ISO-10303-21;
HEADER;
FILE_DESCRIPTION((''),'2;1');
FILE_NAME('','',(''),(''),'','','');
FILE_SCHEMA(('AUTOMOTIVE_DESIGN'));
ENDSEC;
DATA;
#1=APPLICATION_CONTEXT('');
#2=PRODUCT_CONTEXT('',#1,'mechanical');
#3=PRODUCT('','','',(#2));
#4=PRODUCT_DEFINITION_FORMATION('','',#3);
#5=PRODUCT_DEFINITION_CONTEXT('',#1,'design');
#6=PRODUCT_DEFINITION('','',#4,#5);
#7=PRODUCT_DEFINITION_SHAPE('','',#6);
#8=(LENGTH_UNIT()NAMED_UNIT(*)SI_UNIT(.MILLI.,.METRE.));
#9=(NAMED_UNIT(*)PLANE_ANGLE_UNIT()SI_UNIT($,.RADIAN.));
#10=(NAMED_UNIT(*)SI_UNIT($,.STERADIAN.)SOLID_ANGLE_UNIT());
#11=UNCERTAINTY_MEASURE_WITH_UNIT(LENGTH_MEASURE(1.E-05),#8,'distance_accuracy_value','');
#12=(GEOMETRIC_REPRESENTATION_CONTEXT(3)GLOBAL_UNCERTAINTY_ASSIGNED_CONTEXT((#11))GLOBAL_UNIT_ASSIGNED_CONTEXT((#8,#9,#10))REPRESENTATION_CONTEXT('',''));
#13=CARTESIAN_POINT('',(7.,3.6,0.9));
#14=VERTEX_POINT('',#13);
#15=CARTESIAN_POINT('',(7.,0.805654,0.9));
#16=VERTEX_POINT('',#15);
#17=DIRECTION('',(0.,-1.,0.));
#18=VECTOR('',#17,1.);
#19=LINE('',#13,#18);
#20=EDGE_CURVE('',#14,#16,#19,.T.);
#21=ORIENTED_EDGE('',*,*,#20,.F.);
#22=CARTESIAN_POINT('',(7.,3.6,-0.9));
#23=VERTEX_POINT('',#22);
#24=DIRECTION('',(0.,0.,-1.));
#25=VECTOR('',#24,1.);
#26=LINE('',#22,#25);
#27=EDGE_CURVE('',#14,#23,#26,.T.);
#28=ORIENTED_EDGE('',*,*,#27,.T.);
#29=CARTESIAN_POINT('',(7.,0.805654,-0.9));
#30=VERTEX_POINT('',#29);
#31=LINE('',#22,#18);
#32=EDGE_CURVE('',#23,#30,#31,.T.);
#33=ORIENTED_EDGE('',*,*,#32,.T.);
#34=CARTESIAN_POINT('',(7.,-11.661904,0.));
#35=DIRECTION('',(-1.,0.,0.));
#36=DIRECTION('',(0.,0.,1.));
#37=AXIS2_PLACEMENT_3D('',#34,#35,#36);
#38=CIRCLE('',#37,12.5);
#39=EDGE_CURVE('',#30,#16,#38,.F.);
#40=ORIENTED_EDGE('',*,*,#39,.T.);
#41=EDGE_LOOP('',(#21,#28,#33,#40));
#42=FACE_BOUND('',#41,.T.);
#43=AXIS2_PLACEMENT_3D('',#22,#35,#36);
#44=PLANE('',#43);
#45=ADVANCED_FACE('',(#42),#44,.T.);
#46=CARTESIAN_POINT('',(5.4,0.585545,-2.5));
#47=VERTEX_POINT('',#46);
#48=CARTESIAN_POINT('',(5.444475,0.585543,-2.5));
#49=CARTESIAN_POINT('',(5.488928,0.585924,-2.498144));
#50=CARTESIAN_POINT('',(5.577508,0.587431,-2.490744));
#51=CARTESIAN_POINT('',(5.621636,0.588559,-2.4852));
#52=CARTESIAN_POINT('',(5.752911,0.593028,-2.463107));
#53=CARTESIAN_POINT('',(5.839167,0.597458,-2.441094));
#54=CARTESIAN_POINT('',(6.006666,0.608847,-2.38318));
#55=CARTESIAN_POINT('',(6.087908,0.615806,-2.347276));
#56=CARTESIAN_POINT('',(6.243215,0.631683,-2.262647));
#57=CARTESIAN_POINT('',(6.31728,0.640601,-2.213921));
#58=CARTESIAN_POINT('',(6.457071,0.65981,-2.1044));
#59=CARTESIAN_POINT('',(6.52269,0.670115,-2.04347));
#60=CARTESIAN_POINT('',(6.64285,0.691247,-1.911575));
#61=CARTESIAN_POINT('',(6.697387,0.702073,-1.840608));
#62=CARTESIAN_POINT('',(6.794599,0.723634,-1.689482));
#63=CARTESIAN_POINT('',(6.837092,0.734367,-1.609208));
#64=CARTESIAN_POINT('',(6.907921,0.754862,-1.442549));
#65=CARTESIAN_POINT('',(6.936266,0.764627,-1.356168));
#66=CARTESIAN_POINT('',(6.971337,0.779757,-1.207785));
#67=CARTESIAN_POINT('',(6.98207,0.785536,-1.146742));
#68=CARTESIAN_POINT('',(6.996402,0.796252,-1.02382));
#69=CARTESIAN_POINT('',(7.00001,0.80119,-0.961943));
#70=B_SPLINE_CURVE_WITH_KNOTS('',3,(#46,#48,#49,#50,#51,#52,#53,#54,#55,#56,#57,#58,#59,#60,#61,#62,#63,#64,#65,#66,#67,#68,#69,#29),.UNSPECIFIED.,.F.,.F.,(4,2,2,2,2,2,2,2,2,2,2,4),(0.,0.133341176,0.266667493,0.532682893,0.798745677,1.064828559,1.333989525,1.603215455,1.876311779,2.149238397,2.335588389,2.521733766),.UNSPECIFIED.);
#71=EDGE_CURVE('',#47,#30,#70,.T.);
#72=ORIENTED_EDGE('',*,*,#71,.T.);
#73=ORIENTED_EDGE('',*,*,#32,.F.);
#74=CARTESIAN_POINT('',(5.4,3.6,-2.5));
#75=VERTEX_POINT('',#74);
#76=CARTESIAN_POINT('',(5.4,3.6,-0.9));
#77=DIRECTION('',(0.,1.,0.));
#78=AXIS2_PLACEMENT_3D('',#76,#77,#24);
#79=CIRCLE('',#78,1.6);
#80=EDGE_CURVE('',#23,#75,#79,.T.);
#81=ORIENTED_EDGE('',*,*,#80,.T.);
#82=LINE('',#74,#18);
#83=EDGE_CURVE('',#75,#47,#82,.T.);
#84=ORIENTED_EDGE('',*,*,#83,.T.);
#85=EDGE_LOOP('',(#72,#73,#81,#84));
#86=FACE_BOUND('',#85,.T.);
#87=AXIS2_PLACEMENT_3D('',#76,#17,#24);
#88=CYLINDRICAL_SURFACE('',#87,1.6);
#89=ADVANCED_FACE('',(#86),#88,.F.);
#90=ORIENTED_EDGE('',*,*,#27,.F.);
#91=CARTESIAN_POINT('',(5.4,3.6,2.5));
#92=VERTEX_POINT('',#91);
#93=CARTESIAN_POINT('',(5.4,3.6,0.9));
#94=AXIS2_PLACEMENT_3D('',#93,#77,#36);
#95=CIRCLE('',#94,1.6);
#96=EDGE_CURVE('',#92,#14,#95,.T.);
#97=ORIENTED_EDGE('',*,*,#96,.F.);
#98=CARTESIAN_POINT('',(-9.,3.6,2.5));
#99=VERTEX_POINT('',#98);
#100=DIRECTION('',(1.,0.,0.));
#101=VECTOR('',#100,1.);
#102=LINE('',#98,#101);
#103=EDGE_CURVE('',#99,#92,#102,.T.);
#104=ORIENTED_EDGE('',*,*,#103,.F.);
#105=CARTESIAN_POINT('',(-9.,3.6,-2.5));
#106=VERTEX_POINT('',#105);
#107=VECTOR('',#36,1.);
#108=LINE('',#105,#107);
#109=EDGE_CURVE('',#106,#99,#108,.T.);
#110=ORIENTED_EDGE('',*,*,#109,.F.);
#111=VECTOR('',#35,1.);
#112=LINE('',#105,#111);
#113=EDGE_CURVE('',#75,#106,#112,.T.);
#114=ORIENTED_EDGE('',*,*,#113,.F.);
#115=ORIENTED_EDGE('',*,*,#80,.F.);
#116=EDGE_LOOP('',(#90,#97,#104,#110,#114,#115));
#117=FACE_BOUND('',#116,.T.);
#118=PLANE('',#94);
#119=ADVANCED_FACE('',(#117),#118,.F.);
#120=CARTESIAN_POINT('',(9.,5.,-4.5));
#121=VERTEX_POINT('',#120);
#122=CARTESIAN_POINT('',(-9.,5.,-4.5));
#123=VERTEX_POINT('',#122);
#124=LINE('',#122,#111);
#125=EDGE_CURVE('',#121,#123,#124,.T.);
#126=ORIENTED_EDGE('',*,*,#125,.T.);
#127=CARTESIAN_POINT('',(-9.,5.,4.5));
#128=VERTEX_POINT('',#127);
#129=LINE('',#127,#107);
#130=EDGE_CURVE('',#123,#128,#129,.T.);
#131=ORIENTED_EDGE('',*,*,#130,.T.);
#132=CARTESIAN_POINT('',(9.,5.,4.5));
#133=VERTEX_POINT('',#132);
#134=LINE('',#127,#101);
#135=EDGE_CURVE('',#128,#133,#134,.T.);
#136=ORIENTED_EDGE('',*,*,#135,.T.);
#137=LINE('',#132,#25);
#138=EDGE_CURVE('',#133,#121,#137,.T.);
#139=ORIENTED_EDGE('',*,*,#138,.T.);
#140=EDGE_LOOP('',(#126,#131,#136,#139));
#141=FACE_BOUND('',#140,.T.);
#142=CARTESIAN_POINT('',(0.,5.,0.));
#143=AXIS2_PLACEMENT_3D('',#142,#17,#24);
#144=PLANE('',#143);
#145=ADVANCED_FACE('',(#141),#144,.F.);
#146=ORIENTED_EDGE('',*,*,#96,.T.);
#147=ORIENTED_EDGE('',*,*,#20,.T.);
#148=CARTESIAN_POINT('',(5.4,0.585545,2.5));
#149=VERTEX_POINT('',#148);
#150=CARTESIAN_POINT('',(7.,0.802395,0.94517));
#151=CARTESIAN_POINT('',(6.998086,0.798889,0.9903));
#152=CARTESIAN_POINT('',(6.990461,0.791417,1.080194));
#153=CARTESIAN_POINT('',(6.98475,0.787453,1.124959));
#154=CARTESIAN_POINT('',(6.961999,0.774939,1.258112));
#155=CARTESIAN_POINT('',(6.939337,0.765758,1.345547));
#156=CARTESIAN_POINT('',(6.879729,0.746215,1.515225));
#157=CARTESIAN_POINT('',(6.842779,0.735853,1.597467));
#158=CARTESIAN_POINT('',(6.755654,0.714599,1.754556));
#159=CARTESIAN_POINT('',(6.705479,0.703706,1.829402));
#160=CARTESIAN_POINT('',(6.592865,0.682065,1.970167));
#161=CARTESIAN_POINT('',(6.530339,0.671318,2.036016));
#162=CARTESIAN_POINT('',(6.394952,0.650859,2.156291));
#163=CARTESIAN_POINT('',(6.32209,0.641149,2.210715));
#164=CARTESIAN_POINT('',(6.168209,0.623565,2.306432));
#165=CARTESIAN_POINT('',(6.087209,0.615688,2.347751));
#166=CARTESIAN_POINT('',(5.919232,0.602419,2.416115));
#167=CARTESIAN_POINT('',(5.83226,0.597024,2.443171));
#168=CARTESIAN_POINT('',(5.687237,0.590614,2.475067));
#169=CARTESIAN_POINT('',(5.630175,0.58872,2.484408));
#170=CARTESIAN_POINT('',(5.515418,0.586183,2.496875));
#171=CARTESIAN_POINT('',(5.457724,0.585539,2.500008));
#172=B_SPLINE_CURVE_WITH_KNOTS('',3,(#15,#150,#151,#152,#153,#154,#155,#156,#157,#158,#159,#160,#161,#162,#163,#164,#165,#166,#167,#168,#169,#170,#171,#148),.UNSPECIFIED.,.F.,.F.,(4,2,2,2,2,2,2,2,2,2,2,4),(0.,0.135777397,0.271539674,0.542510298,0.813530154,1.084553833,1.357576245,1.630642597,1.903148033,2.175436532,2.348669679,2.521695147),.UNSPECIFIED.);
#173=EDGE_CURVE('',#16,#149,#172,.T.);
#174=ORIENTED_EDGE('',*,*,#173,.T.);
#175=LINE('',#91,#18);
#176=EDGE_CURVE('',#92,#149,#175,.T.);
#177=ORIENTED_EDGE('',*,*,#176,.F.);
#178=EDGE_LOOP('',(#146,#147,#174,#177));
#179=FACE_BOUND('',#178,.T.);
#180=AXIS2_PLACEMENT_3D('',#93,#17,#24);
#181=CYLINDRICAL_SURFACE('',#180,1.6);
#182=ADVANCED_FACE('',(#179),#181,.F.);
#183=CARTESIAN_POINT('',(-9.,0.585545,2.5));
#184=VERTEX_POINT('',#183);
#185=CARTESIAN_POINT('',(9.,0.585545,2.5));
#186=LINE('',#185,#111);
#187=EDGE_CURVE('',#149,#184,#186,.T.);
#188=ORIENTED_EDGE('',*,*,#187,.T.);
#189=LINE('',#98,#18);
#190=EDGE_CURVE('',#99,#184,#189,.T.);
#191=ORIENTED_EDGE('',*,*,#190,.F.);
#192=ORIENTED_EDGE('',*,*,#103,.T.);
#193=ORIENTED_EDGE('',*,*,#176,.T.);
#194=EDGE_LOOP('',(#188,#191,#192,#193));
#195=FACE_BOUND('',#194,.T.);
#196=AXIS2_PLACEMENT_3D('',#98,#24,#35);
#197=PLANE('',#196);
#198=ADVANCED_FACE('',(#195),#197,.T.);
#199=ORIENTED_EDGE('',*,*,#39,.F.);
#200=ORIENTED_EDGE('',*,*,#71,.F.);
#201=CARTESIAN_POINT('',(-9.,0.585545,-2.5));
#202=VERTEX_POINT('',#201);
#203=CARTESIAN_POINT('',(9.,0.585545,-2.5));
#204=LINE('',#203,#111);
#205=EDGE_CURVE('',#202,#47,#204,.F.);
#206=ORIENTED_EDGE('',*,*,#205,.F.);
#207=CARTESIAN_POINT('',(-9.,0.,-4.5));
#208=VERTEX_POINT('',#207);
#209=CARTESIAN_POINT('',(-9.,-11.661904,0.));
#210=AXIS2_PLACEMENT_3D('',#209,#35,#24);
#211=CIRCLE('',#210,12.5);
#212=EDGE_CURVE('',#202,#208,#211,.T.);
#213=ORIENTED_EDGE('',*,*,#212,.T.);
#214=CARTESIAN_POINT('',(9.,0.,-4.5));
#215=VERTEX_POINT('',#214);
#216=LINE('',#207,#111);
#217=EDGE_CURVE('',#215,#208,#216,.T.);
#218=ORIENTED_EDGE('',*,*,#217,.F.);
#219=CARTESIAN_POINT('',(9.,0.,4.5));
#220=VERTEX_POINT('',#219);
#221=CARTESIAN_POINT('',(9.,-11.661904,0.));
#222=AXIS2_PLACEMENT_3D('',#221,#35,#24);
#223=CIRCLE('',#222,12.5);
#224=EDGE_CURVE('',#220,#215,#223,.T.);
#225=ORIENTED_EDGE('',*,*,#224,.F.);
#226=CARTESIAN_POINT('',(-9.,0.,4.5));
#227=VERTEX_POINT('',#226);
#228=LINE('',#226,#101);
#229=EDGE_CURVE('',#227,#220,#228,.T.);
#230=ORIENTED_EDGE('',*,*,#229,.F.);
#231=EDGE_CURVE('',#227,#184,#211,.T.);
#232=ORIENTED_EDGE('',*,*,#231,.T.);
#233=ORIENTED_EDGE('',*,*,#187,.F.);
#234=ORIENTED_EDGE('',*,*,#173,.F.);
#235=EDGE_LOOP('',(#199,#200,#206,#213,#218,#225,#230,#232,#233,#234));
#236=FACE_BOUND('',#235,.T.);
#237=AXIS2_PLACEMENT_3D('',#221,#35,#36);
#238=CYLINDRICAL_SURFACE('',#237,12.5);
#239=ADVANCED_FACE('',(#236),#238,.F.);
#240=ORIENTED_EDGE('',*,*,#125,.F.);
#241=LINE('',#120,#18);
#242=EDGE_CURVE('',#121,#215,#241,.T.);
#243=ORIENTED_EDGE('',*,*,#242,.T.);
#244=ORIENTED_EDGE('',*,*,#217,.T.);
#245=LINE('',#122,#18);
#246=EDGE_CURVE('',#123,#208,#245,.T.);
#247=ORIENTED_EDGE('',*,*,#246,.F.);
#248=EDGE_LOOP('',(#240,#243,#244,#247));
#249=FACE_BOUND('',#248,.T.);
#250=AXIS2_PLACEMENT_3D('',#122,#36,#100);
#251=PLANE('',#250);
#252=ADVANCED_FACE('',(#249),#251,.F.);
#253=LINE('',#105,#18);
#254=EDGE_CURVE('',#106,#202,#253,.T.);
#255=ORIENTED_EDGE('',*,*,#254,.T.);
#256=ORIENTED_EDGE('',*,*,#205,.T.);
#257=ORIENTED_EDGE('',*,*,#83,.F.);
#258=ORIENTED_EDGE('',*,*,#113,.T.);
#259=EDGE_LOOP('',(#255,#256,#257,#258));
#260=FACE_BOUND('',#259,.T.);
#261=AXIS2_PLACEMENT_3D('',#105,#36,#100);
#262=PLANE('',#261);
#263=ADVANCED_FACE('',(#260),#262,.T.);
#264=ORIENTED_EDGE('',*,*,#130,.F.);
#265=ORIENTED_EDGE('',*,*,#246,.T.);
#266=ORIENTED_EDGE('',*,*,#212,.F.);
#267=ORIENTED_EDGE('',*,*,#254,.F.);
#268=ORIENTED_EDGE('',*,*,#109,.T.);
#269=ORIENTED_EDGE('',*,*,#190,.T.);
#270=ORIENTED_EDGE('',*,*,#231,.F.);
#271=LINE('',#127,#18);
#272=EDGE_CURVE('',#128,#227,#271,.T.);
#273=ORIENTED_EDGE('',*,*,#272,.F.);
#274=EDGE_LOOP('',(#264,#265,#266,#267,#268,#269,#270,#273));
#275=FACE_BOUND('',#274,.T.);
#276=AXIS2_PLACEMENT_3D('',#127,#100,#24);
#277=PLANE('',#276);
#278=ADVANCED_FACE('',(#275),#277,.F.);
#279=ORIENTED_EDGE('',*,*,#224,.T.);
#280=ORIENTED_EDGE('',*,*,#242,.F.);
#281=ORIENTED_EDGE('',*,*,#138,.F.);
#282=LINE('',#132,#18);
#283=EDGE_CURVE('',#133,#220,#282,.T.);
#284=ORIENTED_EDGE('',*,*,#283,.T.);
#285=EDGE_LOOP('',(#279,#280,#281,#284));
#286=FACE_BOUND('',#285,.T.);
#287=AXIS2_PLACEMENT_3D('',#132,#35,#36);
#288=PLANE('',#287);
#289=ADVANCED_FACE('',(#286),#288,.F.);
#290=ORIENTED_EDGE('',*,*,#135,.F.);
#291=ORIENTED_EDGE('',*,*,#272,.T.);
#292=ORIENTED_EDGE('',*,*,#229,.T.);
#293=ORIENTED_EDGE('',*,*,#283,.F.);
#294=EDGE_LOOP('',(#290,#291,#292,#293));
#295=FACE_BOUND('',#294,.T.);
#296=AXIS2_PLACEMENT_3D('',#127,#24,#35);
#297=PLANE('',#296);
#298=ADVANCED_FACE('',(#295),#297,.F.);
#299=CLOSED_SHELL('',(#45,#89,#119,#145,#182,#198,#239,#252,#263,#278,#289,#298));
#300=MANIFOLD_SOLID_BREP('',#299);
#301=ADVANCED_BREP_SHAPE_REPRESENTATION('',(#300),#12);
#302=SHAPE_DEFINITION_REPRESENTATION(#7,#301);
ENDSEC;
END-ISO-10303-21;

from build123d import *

# Parameters (mm, degrees)
SKETCH1_W           = 18
SKETCH1_H           = 9
BOSS_EXTRUDE1_DEPTH = 5
CUT_EXTRUDE1_DEPTH  = 20.215878851
CUT_EXTRUDE3_DEPTH  = 3.6


with BuildPart() as part:
    # Sketch1 → Boss-Extrude1 (new body)
    with BuildSketch(Plane(origin=(0, 0, 0), x_dir=(1, 0, 0), z_dir=(0, 1, 0))):
        Rectangle(SKETCH1_W, SKETCH1_H)
    extrude(amount=BOSS_EXTRUDE1_DEPTH)

    # Sketch2 → Cut-Extrude1 (cut, through all)
    with BuildSketch(Plane.ZY.offset(9)):
        with BuildLine():
            Line((-4.5, 0), (4.5, 0))
            ThreePointArc((4.5, 0), (0, 0.83809621), (-4.5, 0))
        make_face()
    extrude(amount=-CUT_EXTRUDE1_DEPTH, mode=Mode.SUBTRACT)

    # Sketch3 → Cut-Extrude3 (cut)
    with BuildSketch(Plane(origin=(0, 0, 0), x_dir=(1, 0, 0), z_dir=(0, 1, 0))):
        with BuildLine():
            Line((-9, 2.5), (5.4, 2.5))
            ThreePointArc((5.4, 2.5), (6.53137085, 2.03137085), (7, 0.9))
            Line((7, 0.9), (7, -0.9))
            ThreePointArc((7, -0.9), (6.53137085, -2.03137085), (5.4, -2.5))
            Line((5.4, -2.5), (-9, -2.5))
            Line((-9, -2.5), (-9, 2.5))
        make_face()
    extrude(amount=CUT_EXTRUDE3_DEPTH, mode=Mode.SUBTRACT)


solid = part.part
